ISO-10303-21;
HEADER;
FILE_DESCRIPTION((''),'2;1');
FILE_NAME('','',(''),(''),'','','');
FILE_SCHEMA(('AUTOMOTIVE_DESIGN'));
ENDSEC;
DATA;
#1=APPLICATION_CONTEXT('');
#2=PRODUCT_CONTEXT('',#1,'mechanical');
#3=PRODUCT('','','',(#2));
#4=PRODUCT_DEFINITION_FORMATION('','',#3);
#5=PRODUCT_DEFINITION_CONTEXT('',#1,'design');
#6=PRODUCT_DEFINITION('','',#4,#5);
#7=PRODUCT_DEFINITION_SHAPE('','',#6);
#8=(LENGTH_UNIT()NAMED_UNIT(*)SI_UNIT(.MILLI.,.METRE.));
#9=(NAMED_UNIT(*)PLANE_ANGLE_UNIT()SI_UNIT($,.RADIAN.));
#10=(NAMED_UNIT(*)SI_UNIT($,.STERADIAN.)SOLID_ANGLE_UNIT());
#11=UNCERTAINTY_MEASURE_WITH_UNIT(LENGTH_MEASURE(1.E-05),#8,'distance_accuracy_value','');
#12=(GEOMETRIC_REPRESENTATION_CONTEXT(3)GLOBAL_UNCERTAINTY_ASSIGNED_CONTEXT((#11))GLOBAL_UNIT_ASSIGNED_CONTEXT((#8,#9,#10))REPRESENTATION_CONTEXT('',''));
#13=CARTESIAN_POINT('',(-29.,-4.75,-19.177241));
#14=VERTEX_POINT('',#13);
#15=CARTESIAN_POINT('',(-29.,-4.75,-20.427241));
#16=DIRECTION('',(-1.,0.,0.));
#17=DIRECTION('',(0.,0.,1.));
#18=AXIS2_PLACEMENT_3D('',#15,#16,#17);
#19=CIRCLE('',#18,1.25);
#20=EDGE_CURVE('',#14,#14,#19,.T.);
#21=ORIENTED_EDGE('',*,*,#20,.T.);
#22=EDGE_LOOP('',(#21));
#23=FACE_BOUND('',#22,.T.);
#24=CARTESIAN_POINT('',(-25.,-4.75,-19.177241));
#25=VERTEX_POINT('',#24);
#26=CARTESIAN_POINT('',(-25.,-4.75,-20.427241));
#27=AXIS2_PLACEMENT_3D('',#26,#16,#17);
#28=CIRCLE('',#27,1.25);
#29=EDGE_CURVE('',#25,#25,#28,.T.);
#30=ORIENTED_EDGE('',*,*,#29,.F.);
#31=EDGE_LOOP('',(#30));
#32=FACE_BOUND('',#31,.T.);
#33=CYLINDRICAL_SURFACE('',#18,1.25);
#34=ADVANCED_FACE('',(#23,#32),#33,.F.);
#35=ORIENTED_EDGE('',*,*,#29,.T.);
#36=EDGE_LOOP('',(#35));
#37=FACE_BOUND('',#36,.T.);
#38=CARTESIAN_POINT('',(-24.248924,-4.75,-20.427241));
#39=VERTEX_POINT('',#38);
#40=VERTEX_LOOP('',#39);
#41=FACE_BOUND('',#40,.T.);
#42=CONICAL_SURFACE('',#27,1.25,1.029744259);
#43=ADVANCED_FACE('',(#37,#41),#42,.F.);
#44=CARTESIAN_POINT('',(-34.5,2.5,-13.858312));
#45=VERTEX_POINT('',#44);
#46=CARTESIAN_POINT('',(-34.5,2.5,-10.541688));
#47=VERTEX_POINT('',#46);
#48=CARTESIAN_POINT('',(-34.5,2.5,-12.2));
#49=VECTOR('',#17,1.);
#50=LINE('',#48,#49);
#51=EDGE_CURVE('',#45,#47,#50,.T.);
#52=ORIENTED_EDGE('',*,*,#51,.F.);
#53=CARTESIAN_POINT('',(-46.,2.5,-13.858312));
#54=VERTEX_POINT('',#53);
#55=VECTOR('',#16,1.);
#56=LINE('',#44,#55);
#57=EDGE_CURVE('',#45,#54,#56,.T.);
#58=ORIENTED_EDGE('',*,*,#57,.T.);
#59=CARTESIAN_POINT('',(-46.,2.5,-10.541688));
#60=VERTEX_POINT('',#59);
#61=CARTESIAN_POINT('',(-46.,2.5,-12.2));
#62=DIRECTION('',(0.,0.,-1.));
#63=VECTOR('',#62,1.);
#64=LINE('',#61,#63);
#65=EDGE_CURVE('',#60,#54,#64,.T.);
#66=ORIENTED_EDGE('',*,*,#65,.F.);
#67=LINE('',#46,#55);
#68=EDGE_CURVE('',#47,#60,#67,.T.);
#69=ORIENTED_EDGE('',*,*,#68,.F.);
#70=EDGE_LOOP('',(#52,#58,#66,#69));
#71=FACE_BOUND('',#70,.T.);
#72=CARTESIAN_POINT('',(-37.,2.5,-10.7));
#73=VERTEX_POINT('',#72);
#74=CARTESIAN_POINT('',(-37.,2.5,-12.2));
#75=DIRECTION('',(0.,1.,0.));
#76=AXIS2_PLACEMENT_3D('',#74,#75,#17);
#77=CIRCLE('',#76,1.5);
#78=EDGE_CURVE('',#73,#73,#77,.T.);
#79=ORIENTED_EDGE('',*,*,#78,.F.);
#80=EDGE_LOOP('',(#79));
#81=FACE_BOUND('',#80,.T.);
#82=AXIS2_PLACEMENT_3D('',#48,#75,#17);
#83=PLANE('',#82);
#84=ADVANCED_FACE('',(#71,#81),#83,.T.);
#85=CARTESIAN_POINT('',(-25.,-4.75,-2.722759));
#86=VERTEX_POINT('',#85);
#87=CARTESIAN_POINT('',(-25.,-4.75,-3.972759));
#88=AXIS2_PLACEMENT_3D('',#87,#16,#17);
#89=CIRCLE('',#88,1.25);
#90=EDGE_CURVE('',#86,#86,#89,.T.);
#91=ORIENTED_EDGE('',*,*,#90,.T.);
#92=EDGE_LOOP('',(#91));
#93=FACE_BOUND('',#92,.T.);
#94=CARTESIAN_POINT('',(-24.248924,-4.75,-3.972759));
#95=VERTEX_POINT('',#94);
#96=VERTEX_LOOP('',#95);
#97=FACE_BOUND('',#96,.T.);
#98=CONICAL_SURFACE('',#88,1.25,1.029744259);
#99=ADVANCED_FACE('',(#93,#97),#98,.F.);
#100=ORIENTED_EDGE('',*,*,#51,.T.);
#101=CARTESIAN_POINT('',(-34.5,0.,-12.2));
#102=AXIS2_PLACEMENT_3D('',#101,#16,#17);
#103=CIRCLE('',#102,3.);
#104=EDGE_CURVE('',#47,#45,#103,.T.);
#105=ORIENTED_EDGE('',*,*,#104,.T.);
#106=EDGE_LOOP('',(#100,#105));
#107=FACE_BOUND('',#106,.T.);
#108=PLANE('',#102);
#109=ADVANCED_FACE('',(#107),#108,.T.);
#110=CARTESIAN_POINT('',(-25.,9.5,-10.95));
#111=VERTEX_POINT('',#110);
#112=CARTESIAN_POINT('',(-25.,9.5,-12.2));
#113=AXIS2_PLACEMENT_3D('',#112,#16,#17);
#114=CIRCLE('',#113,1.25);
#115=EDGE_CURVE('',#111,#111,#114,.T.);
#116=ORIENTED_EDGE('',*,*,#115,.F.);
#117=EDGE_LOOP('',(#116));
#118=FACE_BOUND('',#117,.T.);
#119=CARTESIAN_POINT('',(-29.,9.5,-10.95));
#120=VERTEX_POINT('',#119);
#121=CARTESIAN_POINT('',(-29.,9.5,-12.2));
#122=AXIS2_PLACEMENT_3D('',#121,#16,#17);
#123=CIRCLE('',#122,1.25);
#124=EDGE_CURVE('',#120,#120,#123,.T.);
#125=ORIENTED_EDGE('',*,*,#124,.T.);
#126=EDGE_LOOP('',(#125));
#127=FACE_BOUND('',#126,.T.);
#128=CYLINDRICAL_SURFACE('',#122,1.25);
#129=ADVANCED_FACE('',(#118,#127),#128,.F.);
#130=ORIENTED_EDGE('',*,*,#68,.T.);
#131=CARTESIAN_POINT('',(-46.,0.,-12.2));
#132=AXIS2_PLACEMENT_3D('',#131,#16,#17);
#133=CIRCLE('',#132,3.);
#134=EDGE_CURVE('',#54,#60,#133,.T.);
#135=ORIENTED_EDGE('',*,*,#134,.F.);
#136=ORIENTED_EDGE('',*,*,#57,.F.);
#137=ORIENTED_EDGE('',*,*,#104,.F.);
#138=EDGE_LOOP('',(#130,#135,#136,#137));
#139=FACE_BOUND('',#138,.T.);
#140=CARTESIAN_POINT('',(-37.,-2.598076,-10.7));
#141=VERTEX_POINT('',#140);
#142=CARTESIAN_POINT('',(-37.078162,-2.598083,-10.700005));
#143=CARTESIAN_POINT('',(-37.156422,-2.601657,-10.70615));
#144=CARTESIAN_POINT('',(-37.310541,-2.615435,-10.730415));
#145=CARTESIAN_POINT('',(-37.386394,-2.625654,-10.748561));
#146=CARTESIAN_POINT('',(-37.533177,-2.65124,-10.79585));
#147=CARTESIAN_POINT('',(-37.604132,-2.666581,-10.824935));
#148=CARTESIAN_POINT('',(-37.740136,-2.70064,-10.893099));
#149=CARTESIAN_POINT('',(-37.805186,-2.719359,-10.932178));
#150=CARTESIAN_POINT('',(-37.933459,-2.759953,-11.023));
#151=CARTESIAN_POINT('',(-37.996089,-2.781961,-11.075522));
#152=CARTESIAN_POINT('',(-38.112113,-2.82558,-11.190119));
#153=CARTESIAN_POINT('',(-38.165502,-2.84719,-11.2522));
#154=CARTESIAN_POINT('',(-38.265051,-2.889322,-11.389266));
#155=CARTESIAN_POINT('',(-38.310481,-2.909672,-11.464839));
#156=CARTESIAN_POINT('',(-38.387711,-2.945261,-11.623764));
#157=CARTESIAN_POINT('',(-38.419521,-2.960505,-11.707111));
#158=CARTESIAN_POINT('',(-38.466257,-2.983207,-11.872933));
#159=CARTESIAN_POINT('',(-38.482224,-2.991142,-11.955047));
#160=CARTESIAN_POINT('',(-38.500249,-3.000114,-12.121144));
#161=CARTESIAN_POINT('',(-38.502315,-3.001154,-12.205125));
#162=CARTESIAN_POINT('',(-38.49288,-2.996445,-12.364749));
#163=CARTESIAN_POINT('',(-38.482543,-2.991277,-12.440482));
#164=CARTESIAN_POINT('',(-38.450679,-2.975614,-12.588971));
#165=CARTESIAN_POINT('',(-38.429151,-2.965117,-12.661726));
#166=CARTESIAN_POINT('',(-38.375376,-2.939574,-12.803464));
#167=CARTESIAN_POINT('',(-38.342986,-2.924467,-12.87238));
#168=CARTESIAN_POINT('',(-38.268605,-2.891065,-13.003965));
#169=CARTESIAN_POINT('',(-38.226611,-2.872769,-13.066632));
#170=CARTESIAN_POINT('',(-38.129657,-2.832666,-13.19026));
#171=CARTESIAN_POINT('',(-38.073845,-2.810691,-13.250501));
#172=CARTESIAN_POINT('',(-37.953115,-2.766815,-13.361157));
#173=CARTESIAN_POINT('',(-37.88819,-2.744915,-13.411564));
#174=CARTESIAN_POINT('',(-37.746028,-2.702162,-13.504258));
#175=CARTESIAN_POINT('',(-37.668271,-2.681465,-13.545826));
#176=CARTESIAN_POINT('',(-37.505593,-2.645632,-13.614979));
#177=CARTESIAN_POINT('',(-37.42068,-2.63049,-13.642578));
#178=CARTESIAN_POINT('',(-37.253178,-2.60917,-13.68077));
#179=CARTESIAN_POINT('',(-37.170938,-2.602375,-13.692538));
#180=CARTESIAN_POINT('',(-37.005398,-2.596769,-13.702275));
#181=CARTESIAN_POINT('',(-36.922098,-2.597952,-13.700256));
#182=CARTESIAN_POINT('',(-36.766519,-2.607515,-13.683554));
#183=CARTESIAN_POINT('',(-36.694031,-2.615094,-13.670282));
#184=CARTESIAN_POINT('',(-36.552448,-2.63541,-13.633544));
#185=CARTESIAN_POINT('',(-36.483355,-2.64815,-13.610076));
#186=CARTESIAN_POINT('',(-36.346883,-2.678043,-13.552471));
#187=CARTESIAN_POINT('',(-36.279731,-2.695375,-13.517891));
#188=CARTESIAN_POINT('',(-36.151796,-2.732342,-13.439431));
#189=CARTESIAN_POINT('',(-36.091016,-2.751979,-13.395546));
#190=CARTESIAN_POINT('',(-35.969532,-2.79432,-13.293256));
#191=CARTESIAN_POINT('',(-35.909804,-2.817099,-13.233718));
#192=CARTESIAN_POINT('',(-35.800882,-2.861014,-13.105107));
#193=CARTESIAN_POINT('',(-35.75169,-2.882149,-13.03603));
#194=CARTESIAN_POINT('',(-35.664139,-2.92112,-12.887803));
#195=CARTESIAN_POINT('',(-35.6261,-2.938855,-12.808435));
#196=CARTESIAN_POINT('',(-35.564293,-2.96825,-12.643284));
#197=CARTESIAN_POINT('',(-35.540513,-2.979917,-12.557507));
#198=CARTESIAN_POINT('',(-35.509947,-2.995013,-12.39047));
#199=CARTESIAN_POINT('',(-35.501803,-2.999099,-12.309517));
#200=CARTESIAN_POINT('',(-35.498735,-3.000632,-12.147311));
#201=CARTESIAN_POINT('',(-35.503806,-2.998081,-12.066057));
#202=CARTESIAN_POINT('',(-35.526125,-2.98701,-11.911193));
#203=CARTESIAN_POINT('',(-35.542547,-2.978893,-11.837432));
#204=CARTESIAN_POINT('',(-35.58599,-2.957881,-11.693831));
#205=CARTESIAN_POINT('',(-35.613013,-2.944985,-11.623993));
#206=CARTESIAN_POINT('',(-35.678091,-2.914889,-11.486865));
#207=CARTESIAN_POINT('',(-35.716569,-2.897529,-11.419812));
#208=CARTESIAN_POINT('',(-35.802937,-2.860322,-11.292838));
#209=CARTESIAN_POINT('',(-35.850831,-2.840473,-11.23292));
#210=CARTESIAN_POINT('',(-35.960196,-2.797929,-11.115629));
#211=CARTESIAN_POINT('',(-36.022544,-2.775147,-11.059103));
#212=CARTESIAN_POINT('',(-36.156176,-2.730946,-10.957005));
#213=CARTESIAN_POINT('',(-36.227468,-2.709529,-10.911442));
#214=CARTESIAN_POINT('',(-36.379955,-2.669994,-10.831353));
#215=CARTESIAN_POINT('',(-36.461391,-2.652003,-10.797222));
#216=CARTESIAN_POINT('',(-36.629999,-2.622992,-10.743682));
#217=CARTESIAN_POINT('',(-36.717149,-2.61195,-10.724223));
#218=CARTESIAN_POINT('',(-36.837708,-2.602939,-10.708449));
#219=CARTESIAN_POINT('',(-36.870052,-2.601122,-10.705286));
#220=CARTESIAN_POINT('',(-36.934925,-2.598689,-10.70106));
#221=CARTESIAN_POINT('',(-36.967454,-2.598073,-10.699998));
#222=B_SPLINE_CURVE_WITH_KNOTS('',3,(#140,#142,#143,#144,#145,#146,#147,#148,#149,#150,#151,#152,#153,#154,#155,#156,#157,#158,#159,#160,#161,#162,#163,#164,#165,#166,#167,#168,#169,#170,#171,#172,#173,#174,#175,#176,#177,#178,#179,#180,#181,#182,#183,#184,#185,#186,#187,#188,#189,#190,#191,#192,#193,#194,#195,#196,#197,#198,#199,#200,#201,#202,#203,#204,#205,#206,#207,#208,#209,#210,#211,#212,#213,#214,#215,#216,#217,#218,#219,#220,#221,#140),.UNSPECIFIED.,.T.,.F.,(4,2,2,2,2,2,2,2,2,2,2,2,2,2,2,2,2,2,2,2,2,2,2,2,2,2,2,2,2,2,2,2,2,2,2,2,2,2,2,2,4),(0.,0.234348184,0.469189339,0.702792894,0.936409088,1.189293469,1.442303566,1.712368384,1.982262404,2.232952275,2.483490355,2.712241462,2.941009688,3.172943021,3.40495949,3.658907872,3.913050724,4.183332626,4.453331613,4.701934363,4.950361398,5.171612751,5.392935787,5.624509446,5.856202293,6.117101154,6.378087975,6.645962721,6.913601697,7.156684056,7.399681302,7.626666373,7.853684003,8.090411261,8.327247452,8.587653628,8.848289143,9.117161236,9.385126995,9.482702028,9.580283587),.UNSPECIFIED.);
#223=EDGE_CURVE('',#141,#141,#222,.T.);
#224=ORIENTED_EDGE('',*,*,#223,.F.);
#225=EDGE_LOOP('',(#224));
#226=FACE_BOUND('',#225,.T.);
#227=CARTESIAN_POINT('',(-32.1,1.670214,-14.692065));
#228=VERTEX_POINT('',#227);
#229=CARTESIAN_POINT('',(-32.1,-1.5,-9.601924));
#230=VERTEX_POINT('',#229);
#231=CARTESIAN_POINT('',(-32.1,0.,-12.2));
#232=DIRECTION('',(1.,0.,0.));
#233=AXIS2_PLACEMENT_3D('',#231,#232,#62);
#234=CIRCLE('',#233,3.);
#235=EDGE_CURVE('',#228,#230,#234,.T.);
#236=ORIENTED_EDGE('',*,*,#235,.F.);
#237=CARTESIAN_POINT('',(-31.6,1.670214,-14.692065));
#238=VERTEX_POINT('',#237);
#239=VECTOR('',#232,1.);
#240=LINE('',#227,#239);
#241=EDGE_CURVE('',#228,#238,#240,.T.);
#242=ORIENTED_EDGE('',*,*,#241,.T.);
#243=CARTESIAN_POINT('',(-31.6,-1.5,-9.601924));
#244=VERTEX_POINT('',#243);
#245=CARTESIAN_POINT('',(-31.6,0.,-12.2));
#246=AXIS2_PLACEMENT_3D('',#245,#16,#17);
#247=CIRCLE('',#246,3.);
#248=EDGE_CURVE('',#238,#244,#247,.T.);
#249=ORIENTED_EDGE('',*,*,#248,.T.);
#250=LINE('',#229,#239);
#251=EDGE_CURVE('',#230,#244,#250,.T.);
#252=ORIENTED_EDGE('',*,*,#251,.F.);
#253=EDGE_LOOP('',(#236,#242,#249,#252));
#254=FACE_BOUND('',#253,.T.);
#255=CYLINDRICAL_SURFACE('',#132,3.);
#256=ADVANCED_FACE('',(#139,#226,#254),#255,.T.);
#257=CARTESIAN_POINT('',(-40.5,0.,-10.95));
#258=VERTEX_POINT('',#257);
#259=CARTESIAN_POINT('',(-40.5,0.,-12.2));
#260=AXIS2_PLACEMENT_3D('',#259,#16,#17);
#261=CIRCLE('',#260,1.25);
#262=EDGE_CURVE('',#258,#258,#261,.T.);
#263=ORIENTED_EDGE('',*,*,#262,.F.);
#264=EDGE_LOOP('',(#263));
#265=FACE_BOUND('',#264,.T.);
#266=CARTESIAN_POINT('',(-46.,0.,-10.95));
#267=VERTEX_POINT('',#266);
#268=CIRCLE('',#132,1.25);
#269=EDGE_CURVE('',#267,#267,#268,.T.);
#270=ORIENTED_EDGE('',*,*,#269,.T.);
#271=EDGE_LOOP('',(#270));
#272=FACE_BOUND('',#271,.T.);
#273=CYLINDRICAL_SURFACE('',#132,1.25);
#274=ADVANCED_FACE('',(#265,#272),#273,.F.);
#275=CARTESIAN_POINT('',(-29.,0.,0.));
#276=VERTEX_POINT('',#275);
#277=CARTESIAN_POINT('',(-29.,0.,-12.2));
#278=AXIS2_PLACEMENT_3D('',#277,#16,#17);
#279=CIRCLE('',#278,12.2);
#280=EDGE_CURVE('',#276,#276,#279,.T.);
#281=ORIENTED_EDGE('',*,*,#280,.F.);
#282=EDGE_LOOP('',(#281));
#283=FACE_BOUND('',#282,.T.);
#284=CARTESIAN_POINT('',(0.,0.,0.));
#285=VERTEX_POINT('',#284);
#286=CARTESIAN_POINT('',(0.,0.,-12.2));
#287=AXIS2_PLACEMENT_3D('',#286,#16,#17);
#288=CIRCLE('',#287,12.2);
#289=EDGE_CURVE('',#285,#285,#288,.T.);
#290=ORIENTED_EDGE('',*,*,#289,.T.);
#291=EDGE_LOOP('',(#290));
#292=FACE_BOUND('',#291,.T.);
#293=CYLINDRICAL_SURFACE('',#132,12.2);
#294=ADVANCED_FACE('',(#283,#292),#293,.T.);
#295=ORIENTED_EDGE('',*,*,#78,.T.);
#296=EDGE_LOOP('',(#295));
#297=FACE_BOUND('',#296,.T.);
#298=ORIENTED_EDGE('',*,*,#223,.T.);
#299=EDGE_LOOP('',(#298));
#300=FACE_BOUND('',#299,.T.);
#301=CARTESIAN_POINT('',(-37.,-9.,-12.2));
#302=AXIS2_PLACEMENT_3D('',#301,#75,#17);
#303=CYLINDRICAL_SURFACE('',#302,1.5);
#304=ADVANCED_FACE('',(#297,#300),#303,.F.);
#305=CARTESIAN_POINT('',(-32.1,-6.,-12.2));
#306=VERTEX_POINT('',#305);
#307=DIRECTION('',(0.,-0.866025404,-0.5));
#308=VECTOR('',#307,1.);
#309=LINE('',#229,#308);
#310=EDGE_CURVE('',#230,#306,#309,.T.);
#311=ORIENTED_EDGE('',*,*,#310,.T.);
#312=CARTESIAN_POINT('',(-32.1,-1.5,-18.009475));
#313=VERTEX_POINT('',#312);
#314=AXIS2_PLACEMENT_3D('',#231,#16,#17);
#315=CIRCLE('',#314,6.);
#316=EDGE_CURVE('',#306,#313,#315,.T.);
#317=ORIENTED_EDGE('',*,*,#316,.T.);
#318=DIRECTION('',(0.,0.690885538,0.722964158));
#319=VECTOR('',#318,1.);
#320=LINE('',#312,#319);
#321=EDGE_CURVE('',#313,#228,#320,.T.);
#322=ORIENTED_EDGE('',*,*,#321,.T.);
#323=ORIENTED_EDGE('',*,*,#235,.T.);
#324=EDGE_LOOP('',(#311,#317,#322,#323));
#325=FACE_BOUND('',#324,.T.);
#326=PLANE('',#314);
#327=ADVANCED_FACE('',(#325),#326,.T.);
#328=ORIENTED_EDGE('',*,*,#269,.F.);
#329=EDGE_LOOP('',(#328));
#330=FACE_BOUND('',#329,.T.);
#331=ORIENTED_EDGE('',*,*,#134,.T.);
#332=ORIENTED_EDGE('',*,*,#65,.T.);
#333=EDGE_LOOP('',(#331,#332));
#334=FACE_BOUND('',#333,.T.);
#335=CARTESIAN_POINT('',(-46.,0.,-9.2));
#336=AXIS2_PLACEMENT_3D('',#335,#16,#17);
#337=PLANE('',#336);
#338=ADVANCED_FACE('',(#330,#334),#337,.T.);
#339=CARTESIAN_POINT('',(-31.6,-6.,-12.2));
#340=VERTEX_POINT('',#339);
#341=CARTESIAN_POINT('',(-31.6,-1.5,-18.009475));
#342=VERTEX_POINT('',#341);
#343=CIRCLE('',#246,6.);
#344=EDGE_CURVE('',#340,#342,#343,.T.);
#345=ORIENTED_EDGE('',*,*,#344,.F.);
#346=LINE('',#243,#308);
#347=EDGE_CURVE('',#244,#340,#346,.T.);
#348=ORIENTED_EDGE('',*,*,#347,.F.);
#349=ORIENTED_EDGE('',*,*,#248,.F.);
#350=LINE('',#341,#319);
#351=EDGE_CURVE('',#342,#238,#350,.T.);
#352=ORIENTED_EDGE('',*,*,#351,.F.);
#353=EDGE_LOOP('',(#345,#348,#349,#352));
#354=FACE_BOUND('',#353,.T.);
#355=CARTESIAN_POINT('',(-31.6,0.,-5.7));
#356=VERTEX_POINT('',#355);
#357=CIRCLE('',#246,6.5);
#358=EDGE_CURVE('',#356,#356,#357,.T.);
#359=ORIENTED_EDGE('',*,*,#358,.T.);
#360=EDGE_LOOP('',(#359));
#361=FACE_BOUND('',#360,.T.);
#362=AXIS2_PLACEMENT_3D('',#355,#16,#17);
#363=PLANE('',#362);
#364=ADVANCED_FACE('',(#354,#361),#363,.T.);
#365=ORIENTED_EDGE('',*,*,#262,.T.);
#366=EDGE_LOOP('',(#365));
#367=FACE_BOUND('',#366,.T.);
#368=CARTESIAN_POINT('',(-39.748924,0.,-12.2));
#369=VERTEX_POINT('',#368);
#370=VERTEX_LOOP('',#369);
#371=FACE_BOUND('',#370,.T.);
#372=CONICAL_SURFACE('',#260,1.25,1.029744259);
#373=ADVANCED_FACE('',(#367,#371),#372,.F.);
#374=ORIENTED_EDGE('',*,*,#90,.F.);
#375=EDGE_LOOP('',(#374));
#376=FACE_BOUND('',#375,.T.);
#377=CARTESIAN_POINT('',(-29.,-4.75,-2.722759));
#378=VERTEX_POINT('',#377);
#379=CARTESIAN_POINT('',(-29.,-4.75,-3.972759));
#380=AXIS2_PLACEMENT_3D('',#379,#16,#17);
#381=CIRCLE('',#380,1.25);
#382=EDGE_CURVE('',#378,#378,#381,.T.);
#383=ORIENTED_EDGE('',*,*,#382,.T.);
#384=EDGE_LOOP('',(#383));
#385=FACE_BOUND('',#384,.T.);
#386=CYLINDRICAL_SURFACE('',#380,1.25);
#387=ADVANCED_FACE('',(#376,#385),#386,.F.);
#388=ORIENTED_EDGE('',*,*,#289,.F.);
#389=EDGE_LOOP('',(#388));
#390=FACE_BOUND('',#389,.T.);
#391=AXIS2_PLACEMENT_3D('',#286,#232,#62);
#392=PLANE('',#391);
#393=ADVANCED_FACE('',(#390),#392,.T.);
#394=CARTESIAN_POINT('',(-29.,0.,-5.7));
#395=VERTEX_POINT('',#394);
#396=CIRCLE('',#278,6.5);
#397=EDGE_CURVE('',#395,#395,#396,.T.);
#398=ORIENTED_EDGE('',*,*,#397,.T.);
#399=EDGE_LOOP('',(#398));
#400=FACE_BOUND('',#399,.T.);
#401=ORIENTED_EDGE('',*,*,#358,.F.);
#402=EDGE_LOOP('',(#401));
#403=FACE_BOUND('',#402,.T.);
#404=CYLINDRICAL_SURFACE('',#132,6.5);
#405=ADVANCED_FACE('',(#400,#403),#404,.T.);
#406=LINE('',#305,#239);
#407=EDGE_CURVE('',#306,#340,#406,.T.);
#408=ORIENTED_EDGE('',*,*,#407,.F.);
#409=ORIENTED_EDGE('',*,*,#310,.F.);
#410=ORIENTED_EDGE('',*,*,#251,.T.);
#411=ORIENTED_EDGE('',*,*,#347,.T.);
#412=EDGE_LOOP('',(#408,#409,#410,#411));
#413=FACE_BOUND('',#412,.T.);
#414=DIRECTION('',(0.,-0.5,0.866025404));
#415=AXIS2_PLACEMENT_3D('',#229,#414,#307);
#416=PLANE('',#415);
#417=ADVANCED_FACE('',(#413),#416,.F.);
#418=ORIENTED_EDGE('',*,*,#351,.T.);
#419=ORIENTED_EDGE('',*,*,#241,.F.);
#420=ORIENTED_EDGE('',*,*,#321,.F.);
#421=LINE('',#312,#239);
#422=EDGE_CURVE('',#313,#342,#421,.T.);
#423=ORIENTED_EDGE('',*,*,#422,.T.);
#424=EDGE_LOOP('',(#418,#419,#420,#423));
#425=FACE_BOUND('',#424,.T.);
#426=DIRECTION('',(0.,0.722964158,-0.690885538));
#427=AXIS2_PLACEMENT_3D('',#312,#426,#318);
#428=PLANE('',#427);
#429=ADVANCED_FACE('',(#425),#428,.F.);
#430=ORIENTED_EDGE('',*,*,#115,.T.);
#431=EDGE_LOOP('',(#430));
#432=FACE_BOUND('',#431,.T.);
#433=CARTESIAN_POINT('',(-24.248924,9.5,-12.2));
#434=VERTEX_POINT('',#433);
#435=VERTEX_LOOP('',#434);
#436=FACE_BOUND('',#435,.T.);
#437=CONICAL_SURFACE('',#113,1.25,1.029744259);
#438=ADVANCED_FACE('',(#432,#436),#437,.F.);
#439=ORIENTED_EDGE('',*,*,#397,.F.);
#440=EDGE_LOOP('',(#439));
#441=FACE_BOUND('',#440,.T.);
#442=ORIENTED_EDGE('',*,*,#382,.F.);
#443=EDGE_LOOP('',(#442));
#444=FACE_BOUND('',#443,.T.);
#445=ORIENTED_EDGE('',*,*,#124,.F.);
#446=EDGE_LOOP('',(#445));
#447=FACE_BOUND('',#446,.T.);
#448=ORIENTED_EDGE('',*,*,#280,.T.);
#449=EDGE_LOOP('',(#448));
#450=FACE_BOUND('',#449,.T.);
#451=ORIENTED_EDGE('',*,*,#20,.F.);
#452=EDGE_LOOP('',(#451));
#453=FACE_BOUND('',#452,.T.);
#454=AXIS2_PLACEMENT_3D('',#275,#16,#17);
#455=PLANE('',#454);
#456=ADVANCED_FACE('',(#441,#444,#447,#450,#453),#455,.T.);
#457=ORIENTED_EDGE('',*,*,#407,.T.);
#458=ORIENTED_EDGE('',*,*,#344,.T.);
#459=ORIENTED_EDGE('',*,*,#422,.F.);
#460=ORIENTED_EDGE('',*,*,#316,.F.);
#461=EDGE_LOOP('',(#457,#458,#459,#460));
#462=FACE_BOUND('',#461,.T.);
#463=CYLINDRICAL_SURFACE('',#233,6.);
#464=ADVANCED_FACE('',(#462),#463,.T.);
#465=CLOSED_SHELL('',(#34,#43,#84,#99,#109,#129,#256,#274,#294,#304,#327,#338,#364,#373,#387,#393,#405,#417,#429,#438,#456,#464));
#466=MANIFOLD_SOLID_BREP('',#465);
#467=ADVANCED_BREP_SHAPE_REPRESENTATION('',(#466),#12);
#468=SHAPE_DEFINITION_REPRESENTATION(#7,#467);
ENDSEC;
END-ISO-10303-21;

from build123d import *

# Parameters (mm, degrees)
CUT_EXTRUDE_3_DEPTH    = 11.5
HOLE_WIZARD_M3_1_D     = 2.5
HOLE_WIZARD_M3_1_DEPTH = 5.5
HOLE_WIZARD_M3_1_TIP   = 0.751075774
SKETCH_12_R            = 1.5
CUT_EXTRUDE_4_DEPTH    = 11.5
HOLE_WIZARD_M3_2_D     = 2.5
HOLE_WIZARD_M3_2_DEPTH = 4
HOLE_WIZARD_M3_2_TIP   = 0.751075774
EXTRUDE_START          = 0.5
EXTRUDE_1_DEPTH        = 0.5


with BuildPart() as part:
    # 草图1 → 旋转1 (revolve)
    with BuildSketch(Plane(origin=(0, 0, 0), x_dir=(1, 0, 0), z_dir=(0, 1, 0))):
        Polygon((0, 0), (-29, 0), (-29, 5.7), (-31.6, 5.7), (-31.6, 9.2), (-46, 9.2), (-46, 12.2), (0, 12.2), align=None)
    revolve(axis=Axis((-46, 0, -12.2), (1, 0, 0)))

    # 草图9 → 切除-拉伸3 (cut)
    with BuildSketch(Plane.ZY.offset(46)):
        with BuildLine():
            Line((-12.2, 2.5), (-10.541687605, 2.5))
            ThreePointArc((-10.541687605, 2.5), (-12.2, 3), (-13.858312395, 2.5))
            Line((-13.858312395, 2.5), (-12.2, 2.5))
        make_face()
    extrude(amount=-CUT_EXTRUDE_3_DEPTH, mode=Mode.SUBTRACT)

    # M3 螺纹孔1
    with Locations(Plane.ZY.offset(46)):
        with Locations((-12.2, 0)):
            Hole(HOLE_WIZARD_M3_1_D / 2, depth=HOLE_WIZARD_M3_1_DEPTH)
            with Locations((0, 0, -(HOLE_WIZARD_M3_1_DEPTH + HOLE_WIZARD_M3_1_TIP / 2))):  # 118° drill point
                Cone(0, HOLE_WIZARD_M3_1_D / 2, HOLE_WIZARD_M3_1_TIP, mode=Mode.SUBTRACT)

    # 草图12 → 切除-拉伸4 (cut)
    with BuildSketch(Plane(origin=(0, 2.5, 0), x_dir=(1, 0, 0), z_dir=(0, 1, 0))):
        with Locations(Location((-37, 12.2, 0), (0, 0, 270))):
            Circle(SKETCH_12_R)
    extrude(amount=-CUT_EXTRUDE_4_DEPTH, mode=Mode.SUBTRACT)

    # M3 螺纹孔2
    with Locations(Plane.ZY.offset(29)):
        with Locations((-12.2, 9.5), (-20.427241336, -4.75), (-3.972758664, -4.75)):
            Hole(HOLE_WIZARD_M3_2_D / 2, depth=HOLE_WIZARD_M3_2_DEPTH)
            with Locations((0, 0, -(HOLE_WIZARD_M3_2_DEPTH + HOLE_WIZARD_M3_2_TIP / 2))):  # 118° drill point
                Cone(0, HOLE_WIZARD_M3_2_D / 2, HOLE_WIZARD_M3_2_TIP, mode=Mode.SUBTRACT)

    # 草图16 → 凸台-拉伸1 (add)
    with BuildSketch(Plane.ZY.offset(31.6).offset(EXTRUDE_START)):
        with BuildLine():
            Line((-9.601923789, -1.5), (-12.2, -6))
            ThreePointArc((-12.2, -6), (-8.525765386, 4.74341649), (-18.009475019, -1.5))
            Line((-18.009475019, -1.5), (-14.69206472, 1.670213589))
            ThreePointArc((-14.69206472, 1.670213589), (-10.614007201, 2.546493048), (-9.601923789, -1.5))
        make_face()
    extrude(amount=-EXTRUDE_1_DEPTH)


solid = part.part
